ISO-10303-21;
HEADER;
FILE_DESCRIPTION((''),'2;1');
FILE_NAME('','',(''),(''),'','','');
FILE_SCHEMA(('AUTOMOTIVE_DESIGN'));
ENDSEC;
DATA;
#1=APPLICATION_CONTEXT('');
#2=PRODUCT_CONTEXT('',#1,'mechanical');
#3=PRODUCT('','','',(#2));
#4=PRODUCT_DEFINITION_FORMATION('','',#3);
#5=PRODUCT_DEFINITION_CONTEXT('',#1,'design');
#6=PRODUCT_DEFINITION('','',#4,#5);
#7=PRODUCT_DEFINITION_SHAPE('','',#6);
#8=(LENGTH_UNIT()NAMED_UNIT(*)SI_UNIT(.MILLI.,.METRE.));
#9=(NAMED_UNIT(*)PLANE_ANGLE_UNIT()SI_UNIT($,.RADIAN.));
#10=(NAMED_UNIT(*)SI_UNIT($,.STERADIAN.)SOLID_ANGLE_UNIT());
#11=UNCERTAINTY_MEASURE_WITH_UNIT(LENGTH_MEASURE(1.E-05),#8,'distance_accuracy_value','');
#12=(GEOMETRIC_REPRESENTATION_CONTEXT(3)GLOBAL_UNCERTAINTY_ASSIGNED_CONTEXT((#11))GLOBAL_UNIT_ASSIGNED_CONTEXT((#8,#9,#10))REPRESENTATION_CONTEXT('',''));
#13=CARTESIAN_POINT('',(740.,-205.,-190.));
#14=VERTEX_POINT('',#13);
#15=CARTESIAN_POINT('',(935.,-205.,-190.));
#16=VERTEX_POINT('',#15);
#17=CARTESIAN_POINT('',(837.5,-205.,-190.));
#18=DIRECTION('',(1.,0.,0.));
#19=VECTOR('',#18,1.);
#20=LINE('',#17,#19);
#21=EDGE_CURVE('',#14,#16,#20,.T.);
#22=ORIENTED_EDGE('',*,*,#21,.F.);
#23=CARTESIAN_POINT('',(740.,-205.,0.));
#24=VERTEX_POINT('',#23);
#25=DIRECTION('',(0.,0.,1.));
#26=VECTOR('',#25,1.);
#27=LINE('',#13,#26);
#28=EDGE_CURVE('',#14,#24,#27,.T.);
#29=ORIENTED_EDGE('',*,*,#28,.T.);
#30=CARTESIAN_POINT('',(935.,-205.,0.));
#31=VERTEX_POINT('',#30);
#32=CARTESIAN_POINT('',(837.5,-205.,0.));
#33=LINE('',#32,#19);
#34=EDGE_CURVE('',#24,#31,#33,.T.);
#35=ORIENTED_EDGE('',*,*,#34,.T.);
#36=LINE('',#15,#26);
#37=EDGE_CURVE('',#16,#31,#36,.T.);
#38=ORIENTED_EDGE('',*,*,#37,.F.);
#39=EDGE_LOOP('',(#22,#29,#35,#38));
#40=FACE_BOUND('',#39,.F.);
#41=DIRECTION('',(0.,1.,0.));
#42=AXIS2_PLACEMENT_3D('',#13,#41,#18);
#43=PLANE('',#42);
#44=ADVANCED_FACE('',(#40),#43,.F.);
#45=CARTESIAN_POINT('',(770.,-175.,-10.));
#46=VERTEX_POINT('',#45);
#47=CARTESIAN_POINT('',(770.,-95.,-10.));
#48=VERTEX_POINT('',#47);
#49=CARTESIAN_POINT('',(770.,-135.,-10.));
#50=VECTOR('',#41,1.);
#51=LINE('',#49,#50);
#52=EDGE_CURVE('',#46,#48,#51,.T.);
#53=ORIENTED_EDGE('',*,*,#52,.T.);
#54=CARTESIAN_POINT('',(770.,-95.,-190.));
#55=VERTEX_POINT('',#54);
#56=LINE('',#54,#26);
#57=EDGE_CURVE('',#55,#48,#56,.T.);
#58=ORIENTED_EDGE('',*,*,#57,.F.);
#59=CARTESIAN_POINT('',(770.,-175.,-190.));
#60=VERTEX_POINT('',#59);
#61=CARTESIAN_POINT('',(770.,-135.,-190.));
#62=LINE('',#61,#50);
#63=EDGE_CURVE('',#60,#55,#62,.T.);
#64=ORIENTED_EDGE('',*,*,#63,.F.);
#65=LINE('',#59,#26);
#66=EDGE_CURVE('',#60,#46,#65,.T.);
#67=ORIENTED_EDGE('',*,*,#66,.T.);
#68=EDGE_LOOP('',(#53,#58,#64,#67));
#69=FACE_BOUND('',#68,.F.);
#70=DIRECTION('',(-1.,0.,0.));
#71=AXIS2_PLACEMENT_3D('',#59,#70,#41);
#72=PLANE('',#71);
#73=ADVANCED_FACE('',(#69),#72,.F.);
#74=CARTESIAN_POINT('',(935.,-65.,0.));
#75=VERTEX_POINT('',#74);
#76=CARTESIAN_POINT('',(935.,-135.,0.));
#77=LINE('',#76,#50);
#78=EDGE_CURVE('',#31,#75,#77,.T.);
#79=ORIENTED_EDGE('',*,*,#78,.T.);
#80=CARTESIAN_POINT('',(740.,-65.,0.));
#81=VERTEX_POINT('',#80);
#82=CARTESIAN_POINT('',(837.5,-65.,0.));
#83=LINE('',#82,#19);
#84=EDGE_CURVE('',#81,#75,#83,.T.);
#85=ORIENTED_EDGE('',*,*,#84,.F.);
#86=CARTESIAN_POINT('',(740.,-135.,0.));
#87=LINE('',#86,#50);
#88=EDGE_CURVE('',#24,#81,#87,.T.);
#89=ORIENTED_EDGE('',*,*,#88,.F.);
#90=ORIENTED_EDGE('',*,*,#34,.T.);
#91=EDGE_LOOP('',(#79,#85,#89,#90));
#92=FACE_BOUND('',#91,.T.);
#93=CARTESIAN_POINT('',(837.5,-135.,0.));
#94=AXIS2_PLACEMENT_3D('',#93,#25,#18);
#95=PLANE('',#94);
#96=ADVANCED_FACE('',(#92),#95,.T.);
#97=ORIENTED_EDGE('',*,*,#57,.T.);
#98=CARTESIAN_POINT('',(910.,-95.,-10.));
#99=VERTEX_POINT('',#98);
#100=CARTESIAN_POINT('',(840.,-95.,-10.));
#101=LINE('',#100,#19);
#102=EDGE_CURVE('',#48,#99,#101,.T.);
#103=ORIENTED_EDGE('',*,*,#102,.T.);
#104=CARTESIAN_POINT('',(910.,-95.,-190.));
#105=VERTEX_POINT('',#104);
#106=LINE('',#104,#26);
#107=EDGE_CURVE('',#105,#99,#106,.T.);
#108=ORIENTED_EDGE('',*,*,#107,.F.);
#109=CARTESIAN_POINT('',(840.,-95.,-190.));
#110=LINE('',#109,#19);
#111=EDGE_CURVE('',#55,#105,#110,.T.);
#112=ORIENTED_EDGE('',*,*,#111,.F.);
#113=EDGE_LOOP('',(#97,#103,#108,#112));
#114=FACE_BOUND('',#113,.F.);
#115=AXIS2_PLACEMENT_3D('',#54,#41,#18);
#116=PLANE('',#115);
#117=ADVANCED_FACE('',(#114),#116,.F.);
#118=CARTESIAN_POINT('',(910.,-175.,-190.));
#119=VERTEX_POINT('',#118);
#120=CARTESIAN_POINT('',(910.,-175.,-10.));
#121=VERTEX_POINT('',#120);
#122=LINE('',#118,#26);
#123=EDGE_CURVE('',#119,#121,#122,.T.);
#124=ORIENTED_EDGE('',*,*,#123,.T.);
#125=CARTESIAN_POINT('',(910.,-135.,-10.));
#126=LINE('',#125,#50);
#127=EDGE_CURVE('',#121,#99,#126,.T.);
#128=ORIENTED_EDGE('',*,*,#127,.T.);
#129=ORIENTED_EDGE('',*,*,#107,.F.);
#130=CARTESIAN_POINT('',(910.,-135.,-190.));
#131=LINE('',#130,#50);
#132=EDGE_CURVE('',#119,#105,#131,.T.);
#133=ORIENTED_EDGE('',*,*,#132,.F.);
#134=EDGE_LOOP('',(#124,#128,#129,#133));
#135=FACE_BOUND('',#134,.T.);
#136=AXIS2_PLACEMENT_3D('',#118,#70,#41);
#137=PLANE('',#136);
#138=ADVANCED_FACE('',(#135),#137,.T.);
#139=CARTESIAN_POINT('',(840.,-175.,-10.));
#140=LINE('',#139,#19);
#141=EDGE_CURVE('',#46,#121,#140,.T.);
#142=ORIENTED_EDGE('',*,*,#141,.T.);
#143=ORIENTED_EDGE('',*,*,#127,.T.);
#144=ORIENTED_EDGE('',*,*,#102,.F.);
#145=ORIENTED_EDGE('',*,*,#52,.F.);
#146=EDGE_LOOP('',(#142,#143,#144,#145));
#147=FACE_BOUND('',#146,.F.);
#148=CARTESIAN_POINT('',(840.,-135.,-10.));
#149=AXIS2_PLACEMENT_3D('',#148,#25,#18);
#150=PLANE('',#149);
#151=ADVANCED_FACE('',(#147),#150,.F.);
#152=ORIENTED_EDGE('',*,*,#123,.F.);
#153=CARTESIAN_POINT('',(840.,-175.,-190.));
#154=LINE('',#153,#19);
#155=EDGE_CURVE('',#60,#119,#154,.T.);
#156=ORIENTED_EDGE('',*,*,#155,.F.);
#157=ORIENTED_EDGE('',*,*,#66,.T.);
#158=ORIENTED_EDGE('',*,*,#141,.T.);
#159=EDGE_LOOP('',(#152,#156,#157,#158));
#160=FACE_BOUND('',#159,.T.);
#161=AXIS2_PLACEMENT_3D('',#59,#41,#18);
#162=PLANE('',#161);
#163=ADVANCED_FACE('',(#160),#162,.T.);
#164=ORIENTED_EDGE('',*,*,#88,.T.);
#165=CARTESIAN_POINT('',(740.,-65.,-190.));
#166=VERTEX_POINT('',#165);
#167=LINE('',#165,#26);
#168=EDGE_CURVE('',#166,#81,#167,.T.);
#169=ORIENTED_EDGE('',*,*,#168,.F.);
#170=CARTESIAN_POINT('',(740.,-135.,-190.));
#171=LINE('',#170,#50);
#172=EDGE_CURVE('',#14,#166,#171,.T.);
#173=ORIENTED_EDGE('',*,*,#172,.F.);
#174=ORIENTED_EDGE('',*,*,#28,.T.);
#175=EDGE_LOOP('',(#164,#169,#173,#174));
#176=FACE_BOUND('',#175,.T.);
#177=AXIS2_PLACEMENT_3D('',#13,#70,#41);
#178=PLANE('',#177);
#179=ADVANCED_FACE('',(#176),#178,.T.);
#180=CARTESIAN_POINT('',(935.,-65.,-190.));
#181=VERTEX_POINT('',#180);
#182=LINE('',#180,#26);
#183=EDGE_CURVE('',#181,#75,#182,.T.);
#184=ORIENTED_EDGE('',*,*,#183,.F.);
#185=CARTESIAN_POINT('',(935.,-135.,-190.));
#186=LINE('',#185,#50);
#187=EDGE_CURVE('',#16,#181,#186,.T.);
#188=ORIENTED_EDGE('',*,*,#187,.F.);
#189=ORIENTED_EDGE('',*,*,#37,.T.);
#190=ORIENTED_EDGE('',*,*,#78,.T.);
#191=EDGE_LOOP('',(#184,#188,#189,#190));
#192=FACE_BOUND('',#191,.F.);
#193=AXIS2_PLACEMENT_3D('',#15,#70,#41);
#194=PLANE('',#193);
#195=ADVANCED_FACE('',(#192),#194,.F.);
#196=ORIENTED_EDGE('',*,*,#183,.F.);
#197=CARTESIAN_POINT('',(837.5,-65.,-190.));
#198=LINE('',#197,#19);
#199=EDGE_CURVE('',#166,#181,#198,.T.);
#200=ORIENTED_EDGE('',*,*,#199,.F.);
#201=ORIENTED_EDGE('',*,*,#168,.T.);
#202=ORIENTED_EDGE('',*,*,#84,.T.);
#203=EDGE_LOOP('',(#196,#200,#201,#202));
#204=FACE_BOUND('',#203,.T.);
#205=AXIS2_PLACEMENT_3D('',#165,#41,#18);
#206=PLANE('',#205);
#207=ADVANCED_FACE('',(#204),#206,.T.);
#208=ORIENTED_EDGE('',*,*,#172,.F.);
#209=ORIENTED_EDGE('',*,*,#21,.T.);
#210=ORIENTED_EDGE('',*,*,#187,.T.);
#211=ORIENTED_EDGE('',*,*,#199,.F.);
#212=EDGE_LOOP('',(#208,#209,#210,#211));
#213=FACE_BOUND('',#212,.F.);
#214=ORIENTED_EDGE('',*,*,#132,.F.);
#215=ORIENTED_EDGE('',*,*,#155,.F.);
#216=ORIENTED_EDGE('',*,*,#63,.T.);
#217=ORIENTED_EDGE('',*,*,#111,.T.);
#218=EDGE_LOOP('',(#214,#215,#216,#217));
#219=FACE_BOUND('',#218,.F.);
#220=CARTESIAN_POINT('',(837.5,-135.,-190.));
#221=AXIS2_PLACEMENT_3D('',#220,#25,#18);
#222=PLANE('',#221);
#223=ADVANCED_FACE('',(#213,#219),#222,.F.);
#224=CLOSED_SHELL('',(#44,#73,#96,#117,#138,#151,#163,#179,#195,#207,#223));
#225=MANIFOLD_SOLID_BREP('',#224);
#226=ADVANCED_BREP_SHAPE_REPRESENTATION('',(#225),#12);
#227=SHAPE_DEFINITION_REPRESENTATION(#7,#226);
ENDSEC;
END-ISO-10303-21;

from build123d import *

# Parameters (mm, degrees)
BOX125_W     = 140
BOX125_H     = 80
BOX125_DEPTH = 190
BOX127_W     = 140
BOX127_H     = 80
BOX127_DEPTH = 180
BOX126_W     = 195
BOX126_H     = 140
BOX126_DEPTH = 190


with BuildPart() as cube097:
    # Box125 → Box125 (new body)
    with BuildSketch(Plane(origin=(220, 30, 0), x_dir=(1, 0, 0), z_dir=(0, 0, 1))):
        with Locations((70, 40)):
            Rectangle(BOX125_W, BOX125_H)
    extrude(amount=BOX125_DEPTH)


with BuildPart() as fusion025:
    # Box127 → Box127 (new body)
    with BuildSketch(Plane(origin=(30, 30, 0), x_dir=(1, 0, 0), z_dir=(0, 0, 1))):
        with Locations((70, 40)):
            Rectangle(BOX127_W, BOX127_H)
    extrude(amount=BOX127_DEPTH)

    # Fusion025: union Cube097
    add(cube097.part)


with BuildPart() as halve_snelbouwsteen003:
    # Box126 → Box126 (new body)
    with BuildSketch(Plane.XY):
        with Locations((97.5, 70)):
            Rectangle(BOX126_W, BOX126_H)
    extrude(amount=BOX126_DEPTH)

    # Cut020: cut Fusion025
    add(fusion025.part, mode=Mode.SUBTRACT)


with BuildPart() as halve_snelbouwsteen003_1:
    # Cut020 placement: moved
    add(halve_snelbouwsteen003.part.moved(Location((740, -205, -190))))


solid = halve_snelbouwsteen003_1.part
